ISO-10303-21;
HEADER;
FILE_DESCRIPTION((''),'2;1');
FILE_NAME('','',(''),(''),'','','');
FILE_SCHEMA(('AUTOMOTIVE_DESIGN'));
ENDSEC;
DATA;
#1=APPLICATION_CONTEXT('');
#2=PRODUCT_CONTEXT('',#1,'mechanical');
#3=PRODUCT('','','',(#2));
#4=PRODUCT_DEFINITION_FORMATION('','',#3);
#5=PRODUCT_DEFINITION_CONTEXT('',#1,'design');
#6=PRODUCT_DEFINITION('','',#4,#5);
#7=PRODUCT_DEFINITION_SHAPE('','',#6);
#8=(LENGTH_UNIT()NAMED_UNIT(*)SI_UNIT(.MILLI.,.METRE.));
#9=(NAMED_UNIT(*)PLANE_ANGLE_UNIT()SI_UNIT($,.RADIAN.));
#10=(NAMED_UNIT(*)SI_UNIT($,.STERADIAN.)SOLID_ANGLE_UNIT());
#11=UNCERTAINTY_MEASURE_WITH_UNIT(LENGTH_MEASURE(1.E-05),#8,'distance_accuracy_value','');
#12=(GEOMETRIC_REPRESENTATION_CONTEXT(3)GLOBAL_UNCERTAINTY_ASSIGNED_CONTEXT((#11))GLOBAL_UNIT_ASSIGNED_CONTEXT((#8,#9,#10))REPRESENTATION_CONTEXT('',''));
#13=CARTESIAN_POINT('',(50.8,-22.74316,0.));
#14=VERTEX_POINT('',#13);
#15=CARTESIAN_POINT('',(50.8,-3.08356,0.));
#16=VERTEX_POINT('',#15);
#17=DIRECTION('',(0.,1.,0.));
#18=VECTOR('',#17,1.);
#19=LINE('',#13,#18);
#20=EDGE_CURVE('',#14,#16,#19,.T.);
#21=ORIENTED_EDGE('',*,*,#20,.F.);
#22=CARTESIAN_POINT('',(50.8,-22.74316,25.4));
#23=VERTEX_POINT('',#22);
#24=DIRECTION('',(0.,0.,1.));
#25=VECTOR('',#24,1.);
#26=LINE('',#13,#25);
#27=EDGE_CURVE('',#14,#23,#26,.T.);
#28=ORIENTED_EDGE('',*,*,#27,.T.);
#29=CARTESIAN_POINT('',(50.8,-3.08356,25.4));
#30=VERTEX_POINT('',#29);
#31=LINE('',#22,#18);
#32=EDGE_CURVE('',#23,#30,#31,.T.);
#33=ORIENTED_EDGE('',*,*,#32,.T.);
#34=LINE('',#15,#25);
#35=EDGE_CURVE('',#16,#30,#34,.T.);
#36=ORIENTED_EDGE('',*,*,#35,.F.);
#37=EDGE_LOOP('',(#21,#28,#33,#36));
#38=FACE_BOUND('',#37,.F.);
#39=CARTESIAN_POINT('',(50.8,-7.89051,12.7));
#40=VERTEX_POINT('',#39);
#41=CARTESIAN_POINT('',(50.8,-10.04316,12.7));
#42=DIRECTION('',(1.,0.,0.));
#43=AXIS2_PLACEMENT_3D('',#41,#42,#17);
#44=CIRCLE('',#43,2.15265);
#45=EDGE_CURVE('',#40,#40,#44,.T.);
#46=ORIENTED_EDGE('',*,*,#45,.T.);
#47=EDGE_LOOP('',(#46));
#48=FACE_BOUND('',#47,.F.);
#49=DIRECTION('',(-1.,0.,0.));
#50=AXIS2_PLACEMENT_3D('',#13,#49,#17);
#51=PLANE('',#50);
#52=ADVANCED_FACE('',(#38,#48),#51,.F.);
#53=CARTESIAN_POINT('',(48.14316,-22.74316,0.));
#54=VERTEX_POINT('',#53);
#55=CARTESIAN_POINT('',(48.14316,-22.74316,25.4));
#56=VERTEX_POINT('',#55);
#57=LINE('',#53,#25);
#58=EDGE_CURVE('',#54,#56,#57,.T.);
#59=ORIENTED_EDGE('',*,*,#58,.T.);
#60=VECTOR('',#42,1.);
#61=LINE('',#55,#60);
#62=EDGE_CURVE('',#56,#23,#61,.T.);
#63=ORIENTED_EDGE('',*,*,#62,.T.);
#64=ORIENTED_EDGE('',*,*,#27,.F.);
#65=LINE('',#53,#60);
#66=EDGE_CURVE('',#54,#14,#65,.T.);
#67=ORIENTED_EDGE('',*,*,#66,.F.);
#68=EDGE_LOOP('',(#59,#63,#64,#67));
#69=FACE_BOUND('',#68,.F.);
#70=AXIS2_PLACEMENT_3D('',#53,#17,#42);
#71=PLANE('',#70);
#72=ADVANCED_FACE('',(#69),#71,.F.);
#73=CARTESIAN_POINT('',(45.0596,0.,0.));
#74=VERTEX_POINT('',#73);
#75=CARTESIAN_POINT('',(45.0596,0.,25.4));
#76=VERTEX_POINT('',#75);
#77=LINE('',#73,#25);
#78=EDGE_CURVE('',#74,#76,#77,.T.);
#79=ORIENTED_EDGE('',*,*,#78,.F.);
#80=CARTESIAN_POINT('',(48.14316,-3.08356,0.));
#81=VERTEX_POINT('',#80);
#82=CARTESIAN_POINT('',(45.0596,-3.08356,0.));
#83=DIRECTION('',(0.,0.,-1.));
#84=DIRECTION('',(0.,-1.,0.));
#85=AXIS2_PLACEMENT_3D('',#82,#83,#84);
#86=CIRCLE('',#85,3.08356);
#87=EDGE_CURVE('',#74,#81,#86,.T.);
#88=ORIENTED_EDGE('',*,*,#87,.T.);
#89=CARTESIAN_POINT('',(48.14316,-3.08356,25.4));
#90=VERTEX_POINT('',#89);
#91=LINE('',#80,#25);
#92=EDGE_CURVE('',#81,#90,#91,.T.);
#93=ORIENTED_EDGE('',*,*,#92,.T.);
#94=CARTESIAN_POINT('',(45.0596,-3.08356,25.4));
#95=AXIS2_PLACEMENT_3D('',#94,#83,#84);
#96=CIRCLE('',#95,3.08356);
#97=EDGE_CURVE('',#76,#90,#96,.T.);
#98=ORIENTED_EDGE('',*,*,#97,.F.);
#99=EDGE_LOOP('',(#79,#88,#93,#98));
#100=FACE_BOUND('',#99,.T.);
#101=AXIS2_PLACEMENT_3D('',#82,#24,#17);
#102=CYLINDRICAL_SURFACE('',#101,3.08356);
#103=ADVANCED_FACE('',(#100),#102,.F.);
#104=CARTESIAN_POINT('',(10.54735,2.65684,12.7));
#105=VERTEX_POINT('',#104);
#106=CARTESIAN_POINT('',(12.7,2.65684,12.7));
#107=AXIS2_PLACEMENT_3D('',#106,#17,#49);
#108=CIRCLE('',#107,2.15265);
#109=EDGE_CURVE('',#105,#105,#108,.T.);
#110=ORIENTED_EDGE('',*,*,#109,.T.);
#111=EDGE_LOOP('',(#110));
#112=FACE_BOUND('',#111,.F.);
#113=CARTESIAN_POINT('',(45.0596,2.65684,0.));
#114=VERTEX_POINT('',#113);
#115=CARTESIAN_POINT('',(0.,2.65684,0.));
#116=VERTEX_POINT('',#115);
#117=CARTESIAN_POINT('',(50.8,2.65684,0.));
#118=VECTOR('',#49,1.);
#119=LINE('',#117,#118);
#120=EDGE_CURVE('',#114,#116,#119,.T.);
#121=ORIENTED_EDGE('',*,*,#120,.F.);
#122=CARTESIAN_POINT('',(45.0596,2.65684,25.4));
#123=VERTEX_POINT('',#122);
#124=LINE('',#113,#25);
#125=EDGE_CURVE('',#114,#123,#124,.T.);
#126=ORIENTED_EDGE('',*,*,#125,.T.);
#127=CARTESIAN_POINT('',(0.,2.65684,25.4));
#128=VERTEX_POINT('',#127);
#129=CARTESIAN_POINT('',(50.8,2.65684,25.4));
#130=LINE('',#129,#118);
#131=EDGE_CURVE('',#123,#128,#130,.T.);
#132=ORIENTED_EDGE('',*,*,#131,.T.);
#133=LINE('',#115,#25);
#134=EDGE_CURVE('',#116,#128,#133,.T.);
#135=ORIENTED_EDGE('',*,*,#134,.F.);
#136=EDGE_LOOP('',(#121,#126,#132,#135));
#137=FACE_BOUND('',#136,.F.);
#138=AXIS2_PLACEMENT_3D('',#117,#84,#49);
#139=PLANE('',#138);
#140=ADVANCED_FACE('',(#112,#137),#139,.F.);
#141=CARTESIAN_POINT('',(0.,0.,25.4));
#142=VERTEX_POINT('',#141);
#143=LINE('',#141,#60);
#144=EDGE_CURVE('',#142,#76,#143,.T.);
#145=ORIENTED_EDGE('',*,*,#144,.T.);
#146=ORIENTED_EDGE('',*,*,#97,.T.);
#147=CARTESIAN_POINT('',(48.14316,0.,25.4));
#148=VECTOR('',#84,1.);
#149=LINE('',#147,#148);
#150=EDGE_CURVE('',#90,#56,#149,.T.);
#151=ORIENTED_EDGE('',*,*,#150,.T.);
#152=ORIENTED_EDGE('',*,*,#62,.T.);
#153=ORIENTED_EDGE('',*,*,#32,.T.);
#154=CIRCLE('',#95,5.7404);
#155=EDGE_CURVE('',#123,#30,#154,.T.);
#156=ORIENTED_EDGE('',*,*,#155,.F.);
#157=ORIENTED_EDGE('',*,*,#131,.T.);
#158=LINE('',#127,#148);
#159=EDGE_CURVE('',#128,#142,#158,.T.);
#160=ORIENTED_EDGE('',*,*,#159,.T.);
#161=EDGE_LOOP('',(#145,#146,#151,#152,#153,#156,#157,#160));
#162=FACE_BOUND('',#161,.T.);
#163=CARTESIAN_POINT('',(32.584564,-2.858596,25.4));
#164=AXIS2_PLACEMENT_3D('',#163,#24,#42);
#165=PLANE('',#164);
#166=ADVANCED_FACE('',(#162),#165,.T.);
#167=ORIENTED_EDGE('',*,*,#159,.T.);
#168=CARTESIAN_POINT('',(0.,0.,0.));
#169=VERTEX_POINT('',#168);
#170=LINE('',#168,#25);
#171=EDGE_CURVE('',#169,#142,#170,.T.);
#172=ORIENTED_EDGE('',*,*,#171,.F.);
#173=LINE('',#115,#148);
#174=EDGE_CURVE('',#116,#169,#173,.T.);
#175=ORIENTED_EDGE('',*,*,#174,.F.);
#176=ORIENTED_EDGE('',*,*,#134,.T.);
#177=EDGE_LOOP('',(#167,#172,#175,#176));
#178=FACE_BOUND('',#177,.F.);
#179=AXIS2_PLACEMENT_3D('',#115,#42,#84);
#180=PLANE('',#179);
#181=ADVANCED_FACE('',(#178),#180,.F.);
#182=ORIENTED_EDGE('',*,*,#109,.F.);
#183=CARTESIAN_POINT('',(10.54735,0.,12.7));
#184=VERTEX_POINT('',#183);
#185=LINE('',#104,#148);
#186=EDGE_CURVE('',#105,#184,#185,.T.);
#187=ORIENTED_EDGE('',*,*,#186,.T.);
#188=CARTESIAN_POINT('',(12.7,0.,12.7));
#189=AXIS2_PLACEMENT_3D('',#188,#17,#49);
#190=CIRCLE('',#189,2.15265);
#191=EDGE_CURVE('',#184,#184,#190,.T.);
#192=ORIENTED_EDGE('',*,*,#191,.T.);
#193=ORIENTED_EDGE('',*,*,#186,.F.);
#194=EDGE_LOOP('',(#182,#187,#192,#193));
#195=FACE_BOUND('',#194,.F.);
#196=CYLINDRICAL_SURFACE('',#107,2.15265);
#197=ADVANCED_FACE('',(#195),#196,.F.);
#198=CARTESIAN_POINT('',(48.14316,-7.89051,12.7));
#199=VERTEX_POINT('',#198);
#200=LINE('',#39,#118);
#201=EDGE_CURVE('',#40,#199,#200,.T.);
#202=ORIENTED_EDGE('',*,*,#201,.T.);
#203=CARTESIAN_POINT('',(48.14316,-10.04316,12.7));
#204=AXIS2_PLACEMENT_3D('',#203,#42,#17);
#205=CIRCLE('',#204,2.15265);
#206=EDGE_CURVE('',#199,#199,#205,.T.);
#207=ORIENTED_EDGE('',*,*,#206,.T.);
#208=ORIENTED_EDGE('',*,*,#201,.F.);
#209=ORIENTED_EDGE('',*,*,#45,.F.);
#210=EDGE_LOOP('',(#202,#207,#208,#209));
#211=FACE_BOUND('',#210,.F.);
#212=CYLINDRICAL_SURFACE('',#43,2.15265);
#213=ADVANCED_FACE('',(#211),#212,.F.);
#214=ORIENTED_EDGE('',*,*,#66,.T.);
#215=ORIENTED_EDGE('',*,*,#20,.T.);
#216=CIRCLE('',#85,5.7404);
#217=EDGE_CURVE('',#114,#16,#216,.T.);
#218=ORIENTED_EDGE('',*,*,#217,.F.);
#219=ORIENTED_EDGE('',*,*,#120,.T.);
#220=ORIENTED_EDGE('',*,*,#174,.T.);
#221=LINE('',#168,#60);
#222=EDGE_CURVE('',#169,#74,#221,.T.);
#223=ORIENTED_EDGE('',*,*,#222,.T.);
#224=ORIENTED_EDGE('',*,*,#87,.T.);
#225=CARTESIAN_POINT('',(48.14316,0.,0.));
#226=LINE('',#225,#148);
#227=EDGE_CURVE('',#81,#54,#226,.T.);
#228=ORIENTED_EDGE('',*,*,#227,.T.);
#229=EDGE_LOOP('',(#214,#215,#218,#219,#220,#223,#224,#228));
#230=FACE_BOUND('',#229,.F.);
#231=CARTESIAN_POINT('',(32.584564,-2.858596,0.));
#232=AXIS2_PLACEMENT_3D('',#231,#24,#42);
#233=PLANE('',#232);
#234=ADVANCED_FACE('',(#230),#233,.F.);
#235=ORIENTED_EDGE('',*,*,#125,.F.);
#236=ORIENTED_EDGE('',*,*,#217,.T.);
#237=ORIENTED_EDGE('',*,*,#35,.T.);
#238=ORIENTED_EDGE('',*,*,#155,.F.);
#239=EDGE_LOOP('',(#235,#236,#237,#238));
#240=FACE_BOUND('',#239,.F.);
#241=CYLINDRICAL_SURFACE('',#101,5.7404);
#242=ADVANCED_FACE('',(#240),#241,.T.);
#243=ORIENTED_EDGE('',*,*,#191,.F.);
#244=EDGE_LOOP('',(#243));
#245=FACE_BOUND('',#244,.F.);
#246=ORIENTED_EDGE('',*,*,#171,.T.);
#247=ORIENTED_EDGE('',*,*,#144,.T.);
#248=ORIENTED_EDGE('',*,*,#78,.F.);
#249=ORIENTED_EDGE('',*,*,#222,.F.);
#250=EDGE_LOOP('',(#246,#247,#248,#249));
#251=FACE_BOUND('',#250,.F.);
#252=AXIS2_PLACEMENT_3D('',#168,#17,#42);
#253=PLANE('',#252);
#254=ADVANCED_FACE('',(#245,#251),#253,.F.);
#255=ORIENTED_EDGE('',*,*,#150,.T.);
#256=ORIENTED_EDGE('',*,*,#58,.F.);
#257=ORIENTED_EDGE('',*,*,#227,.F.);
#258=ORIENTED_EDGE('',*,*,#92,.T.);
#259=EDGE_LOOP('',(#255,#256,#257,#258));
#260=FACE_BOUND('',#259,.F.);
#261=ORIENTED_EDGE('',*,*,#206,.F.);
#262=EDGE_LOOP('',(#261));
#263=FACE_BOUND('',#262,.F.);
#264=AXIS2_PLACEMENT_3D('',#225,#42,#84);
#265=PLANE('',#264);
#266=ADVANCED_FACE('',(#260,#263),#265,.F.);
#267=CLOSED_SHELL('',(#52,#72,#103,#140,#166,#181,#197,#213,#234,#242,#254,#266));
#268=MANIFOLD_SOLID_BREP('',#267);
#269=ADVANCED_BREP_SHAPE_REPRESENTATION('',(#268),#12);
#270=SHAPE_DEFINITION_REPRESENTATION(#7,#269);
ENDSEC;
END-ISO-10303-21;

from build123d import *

# Parameters (mm, degrees)
F1_DEPTH = 25.4
F2_R     = 2.15265
F3_DEPTH = 2.65684
F4_R     = 2.15265
F5_DEPTH = 2.65684
F6_R     = 3.08356
F7_R     = 5.7404


with BuildPart() as f1:
    # F0 (on Top) → F1 (new body)
    with BuildSketch(Plane.XY):
        Polygon((0, 2.65684), (0, 0), (48.14316, 0), (48.14316, -22.74316), (50.8, -22.74316), (50.8, 2.65684), align=None)
    extrude(amount=F1_DEPTH)

    # F2 (on face) → F3 (cut, through all)
    with BuildSketch(Plane(origin=(0, 2.65684, 0), x_dir=(-1, 0, 0), z_dir=(0, 1, 0))):
        with Locations((-12.7, 12.7)):
            Circle(F2_R)
    extrude(amount=-F3_DEPTH, mode=Mode.SUBTRACT)

    # F4 (on face) → F5 (cut, through all)
    with BuildSketch(Plane.YZ.offset(50.8)):
        with Locations((-10.04316, 12.7)):
            Circle(F4_R)
    extrude(amount=-F5_DEPTH, mode=Mode.SUBTRACT)

    # F6
    f6_edges = [f1.edges().sort_by_distance(p)[0] for p in [
        (48.14316, 0, 12.7),
    ]]
    fillet(f6_edges, radius=F6_R)

    # F7
    f7_edges = [f1.edges().sort_by_distance(p)[0] for p in [
        (50.8, 2.65684, 12.7),
    ]]
    fillet(f7_edges, radius=F7_R)


solid = f1.part
